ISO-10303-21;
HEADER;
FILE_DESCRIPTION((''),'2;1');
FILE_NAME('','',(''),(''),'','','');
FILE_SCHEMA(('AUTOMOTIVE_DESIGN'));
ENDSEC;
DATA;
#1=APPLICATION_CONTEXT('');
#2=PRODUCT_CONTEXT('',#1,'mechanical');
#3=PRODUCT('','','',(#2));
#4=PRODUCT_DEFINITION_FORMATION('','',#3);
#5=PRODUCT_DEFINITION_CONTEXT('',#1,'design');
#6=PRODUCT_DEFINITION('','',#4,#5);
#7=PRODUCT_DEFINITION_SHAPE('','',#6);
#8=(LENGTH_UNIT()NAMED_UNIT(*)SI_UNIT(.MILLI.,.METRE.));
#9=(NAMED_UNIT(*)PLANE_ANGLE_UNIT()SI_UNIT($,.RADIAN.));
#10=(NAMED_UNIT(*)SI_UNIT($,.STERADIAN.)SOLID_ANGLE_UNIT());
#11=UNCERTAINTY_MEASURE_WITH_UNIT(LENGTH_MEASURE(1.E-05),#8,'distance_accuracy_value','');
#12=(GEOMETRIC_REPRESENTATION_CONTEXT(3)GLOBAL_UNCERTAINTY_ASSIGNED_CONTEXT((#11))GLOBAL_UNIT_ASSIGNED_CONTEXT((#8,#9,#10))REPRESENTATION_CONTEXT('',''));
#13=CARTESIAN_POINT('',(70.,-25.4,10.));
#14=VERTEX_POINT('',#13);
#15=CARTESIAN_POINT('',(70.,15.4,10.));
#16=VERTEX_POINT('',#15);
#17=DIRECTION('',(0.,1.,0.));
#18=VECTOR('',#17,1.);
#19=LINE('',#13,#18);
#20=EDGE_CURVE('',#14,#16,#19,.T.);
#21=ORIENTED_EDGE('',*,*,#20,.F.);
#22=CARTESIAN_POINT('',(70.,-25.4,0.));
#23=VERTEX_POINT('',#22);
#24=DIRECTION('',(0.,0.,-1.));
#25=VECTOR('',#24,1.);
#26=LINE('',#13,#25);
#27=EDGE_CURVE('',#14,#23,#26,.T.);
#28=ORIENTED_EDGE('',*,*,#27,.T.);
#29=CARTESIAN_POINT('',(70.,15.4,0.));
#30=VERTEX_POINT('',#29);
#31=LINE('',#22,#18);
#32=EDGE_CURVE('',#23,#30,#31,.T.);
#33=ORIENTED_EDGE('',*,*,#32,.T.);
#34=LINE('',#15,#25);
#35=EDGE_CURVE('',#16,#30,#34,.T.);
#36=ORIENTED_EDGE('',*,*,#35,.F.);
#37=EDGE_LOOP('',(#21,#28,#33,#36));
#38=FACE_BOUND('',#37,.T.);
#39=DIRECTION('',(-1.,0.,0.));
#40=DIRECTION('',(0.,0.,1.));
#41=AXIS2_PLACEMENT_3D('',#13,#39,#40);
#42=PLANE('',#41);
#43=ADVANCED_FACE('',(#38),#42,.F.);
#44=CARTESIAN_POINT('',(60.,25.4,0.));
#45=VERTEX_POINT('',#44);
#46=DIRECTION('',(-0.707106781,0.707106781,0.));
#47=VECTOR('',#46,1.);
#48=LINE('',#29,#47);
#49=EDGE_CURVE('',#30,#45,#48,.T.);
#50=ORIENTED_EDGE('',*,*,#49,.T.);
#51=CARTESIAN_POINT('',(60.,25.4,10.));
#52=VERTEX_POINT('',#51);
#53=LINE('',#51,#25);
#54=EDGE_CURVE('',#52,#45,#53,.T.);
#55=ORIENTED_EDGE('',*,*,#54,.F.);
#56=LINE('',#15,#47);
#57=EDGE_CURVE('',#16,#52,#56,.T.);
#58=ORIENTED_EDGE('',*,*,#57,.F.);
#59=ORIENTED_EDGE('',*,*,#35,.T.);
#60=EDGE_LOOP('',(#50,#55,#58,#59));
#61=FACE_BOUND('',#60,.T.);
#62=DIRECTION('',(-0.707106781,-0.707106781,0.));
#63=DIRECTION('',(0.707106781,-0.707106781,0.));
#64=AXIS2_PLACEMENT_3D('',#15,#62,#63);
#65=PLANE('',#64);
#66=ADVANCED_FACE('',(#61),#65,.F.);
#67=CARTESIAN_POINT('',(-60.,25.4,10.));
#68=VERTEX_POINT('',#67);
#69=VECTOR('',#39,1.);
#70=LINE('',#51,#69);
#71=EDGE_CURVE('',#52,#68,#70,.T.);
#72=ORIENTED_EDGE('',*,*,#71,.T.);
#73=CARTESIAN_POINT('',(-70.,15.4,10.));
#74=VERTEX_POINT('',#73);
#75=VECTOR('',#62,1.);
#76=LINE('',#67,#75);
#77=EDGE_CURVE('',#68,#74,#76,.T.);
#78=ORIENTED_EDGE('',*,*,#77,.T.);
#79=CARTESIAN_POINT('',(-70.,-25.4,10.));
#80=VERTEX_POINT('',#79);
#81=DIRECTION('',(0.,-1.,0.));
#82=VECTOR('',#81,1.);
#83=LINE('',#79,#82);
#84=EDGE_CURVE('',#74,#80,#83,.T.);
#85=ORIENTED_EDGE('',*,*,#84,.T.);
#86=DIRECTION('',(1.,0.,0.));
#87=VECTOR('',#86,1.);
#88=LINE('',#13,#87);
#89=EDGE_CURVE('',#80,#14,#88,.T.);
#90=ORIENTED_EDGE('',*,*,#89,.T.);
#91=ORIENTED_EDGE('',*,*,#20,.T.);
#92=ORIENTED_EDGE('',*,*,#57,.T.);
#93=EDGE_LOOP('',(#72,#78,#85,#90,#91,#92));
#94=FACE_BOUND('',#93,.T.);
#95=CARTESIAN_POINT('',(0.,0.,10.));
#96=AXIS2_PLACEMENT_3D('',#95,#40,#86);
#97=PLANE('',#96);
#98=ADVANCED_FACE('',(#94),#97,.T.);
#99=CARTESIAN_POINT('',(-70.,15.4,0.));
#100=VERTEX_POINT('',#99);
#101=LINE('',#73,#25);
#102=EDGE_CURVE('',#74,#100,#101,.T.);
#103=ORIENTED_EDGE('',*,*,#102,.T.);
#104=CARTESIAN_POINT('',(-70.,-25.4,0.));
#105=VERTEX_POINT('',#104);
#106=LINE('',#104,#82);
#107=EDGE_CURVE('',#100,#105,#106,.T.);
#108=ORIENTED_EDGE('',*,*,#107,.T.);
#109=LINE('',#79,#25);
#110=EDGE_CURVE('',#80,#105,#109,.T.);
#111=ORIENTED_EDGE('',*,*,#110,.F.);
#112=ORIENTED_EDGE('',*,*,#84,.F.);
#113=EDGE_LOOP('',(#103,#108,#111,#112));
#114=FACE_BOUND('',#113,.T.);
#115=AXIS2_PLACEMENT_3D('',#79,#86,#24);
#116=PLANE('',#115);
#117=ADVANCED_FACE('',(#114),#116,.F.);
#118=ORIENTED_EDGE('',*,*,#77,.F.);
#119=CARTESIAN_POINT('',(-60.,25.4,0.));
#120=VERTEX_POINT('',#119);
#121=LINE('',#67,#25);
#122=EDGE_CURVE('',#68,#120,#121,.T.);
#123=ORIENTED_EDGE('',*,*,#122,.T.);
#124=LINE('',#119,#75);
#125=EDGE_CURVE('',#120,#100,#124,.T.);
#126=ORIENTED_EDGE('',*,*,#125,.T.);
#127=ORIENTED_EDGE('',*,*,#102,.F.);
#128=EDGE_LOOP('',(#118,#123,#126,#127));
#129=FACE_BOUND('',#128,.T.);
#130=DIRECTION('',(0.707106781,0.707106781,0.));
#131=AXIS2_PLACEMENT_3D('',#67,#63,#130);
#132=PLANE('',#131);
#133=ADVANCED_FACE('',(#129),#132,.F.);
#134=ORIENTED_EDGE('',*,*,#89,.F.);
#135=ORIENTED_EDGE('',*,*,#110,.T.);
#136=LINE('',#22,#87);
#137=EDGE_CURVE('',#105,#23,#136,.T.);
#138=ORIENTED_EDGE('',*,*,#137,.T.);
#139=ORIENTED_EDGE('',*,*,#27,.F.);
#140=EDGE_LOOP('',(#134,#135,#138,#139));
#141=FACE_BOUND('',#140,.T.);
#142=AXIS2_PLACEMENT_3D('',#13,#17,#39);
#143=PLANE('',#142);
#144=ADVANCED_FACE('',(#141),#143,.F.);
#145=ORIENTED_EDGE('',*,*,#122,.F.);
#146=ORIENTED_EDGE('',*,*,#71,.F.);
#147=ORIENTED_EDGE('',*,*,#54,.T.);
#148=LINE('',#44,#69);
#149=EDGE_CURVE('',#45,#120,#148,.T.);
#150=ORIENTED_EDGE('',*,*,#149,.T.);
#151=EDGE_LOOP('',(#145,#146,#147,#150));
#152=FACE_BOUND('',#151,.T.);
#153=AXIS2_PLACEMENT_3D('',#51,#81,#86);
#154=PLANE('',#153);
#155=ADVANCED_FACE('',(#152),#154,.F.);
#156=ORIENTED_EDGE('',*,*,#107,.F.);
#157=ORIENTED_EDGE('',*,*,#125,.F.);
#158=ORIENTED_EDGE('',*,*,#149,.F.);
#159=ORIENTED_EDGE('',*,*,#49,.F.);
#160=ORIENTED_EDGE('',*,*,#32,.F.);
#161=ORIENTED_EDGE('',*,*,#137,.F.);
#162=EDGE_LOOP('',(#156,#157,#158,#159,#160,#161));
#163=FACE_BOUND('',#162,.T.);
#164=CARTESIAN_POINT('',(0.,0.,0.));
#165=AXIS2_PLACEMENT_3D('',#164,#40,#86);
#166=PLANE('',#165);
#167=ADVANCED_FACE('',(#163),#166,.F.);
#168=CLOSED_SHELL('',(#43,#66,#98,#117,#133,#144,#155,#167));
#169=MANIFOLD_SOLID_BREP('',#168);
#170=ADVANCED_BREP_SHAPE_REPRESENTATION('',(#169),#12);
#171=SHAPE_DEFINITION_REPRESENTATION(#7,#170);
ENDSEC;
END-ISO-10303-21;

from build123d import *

# Parameters (mm, degrees)
SALIENTE_EXTRUIR1_DEPTH = 10


with BuildPart() as part:
    # Croquis1 → Saliente-Extruir1 (new body)
    with BuildSketch(Plane.XY):
        Polygon((-60, 25.4), (-70, 15.4), (-70, -25.4), (70, -25.4), (70, 15.4), (60, 25.4), align=None)
    extrude(amount=SALIENTE_EXTRUIR1_DEPTH)


solid = part.part
